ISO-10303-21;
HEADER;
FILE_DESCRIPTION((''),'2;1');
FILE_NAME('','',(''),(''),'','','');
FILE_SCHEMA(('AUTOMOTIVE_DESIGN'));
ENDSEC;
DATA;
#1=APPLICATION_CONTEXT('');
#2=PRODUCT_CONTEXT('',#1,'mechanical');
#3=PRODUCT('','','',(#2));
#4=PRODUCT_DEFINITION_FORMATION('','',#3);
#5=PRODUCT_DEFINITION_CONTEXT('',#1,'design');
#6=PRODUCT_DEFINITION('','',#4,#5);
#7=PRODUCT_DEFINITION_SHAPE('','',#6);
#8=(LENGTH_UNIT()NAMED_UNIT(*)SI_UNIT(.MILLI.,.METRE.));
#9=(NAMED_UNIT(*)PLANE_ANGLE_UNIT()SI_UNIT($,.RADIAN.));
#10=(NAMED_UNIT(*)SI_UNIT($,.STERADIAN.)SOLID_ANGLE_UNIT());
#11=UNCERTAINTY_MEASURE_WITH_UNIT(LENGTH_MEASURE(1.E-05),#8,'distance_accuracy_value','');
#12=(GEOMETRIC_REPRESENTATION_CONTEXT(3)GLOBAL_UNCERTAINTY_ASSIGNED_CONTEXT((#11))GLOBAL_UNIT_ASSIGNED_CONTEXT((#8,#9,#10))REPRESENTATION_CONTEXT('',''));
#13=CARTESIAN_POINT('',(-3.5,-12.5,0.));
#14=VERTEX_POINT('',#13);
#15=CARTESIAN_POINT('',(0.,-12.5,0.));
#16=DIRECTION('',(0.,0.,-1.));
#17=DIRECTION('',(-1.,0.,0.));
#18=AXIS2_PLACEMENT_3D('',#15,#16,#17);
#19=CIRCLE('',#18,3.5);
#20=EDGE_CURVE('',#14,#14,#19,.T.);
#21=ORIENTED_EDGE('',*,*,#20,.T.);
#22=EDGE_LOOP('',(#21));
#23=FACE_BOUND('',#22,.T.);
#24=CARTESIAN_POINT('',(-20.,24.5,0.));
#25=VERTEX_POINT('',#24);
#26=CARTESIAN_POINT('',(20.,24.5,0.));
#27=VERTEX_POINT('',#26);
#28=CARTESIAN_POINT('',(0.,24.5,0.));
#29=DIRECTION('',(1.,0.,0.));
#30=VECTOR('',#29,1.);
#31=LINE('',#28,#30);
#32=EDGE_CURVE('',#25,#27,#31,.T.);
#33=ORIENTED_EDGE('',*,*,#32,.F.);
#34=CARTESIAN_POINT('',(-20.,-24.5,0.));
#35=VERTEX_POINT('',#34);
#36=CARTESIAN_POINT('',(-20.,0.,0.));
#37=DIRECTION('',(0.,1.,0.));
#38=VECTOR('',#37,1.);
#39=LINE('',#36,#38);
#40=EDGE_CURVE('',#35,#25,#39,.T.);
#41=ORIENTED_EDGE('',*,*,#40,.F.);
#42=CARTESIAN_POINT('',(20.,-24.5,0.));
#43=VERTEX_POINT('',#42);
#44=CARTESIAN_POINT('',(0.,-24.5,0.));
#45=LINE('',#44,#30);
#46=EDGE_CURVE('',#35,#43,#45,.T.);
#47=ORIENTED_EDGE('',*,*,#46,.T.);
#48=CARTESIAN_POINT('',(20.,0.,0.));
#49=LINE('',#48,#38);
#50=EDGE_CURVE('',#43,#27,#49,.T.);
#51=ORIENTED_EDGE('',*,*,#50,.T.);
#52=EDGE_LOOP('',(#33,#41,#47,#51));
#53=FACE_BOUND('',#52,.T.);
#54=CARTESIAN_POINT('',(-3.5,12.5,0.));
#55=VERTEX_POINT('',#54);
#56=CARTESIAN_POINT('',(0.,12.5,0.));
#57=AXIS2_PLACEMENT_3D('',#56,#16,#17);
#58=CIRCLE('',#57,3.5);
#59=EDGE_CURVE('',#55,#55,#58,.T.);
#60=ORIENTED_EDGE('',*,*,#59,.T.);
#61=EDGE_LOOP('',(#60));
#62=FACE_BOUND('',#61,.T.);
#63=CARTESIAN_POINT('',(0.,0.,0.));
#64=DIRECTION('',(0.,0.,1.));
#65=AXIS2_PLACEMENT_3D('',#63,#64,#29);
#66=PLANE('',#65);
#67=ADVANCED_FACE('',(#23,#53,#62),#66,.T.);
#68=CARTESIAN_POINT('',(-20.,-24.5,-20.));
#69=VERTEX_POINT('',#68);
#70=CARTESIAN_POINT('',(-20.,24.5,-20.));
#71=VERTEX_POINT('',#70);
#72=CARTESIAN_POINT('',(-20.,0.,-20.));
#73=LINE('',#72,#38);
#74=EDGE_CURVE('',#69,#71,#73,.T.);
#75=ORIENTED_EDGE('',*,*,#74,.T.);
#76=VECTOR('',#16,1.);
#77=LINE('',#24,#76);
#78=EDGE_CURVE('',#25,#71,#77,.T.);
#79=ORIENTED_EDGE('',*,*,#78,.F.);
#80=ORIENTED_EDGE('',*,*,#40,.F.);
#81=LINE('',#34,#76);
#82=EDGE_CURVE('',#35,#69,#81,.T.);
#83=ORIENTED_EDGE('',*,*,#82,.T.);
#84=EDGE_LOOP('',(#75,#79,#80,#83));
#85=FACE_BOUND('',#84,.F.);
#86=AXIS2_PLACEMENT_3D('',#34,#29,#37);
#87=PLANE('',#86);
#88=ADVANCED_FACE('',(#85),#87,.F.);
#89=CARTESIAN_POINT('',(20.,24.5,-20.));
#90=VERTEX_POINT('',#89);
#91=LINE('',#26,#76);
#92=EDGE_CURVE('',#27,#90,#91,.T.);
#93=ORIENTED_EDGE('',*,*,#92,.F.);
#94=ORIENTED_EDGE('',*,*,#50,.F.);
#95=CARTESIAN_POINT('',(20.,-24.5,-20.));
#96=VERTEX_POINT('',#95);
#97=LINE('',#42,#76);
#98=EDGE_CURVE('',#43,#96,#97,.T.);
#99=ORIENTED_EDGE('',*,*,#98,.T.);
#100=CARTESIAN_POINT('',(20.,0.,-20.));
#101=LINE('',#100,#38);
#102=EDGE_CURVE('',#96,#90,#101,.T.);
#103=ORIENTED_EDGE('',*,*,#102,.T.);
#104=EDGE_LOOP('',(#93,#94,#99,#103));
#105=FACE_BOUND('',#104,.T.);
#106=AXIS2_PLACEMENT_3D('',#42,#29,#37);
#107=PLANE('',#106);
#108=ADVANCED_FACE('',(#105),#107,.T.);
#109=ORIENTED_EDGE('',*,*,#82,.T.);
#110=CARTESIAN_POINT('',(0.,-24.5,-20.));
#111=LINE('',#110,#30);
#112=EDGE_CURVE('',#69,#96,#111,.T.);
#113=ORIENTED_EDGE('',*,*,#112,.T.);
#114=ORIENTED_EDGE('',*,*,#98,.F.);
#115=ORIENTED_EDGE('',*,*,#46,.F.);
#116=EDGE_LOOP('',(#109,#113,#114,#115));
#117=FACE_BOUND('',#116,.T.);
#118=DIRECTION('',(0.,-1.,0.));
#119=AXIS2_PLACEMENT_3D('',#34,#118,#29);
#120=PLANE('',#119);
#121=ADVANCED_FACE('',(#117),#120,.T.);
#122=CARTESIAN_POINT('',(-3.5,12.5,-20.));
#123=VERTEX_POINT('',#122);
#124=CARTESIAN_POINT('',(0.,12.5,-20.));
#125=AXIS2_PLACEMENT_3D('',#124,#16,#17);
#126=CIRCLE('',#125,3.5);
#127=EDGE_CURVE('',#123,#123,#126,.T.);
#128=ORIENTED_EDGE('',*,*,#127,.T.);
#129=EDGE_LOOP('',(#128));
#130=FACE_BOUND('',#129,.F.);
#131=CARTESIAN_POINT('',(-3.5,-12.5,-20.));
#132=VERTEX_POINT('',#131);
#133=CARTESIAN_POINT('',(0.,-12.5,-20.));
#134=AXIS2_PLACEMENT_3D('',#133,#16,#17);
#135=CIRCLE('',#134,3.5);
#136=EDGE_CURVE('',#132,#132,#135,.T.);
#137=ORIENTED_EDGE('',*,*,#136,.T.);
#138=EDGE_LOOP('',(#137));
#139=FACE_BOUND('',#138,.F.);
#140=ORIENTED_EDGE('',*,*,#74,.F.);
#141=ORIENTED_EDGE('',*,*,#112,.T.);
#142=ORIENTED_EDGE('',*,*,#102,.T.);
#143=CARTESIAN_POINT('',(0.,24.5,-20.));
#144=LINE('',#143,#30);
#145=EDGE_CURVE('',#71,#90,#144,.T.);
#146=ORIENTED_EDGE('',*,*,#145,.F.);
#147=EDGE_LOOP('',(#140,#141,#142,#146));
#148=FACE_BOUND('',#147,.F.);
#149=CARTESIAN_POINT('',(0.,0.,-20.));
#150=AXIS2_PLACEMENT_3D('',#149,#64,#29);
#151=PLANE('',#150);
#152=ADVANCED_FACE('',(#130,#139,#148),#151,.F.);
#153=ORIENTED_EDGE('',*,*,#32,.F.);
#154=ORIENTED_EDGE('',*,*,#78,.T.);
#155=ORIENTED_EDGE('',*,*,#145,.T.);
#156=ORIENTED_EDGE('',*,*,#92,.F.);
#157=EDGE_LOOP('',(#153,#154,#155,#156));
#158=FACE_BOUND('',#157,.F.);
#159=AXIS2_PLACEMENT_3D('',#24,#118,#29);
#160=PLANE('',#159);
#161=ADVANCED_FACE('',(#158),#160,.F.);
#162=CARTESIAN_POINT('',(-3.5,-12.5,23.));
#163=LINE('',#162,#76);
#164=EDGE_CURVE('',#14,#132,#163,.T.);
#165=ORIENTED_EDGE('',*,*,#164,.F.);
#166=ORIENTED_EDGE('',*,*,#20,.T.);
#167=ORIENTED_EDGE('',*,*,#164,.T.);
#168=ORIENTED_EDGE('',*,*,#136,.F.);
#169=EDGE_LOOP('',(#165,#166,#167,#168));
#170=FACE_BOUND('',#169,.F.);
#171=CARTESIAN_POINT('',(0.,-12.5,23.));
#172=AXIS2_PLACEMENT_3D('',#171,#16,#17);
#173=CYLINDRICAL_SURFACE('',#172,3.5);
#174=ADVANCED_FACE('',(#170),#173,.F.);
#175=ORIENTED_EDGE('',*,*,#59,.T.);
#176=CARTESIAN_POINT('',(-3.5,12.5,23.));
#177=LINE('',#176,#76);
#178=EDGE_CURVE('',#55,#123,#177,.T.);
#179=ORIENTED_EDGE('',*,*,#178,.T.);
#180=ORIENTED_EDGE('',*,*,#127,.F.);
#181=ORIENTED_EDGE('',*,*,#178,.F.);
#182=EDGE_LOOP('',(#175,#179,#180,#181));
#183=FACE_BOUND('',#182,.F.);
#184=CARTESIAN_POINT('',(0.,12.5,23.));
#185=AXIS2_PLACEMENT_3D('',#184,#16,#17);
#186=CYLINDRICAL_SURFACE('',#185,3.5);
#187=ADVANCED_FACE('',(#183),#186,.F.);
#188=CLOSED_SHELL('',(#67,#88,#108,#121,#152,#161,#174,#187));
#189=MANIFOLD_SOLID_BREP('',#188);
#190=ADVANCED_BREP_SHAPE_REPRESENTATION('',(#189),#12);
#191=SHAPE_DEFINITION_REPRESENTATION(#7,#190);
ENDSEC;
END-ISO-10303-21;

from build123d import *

# Parameters (mm, degrees)
F0_W     = 40
F0_H     = 49
F1_DEPTH = 20
F3_D     = 7
F3_DEPTH = 23
F3_TIP   = 2.1030121666


with BuildPart() as f1:
    # F0 (on Top) → F1 (new body)
    with BuildSketch(Plane.XY):
        Rectangle(F0_W, F0_H)
    extrude(amount=-F1_DEPTH)

    # F3
    with Locations(Plane.XY):
        with Locations((0, -12.5), (0, 12.5)):
            Hole(F3_D / 2, depth=F3_DEPTH)
            with Locations((0, 0, -(F3_DEPTH + F3_TIP / 2))):  # 118° drill point
                Cone(0, F3_D / 2, F3_TIP, mode=Mode.SUBTRACT)


solid = f1.part
